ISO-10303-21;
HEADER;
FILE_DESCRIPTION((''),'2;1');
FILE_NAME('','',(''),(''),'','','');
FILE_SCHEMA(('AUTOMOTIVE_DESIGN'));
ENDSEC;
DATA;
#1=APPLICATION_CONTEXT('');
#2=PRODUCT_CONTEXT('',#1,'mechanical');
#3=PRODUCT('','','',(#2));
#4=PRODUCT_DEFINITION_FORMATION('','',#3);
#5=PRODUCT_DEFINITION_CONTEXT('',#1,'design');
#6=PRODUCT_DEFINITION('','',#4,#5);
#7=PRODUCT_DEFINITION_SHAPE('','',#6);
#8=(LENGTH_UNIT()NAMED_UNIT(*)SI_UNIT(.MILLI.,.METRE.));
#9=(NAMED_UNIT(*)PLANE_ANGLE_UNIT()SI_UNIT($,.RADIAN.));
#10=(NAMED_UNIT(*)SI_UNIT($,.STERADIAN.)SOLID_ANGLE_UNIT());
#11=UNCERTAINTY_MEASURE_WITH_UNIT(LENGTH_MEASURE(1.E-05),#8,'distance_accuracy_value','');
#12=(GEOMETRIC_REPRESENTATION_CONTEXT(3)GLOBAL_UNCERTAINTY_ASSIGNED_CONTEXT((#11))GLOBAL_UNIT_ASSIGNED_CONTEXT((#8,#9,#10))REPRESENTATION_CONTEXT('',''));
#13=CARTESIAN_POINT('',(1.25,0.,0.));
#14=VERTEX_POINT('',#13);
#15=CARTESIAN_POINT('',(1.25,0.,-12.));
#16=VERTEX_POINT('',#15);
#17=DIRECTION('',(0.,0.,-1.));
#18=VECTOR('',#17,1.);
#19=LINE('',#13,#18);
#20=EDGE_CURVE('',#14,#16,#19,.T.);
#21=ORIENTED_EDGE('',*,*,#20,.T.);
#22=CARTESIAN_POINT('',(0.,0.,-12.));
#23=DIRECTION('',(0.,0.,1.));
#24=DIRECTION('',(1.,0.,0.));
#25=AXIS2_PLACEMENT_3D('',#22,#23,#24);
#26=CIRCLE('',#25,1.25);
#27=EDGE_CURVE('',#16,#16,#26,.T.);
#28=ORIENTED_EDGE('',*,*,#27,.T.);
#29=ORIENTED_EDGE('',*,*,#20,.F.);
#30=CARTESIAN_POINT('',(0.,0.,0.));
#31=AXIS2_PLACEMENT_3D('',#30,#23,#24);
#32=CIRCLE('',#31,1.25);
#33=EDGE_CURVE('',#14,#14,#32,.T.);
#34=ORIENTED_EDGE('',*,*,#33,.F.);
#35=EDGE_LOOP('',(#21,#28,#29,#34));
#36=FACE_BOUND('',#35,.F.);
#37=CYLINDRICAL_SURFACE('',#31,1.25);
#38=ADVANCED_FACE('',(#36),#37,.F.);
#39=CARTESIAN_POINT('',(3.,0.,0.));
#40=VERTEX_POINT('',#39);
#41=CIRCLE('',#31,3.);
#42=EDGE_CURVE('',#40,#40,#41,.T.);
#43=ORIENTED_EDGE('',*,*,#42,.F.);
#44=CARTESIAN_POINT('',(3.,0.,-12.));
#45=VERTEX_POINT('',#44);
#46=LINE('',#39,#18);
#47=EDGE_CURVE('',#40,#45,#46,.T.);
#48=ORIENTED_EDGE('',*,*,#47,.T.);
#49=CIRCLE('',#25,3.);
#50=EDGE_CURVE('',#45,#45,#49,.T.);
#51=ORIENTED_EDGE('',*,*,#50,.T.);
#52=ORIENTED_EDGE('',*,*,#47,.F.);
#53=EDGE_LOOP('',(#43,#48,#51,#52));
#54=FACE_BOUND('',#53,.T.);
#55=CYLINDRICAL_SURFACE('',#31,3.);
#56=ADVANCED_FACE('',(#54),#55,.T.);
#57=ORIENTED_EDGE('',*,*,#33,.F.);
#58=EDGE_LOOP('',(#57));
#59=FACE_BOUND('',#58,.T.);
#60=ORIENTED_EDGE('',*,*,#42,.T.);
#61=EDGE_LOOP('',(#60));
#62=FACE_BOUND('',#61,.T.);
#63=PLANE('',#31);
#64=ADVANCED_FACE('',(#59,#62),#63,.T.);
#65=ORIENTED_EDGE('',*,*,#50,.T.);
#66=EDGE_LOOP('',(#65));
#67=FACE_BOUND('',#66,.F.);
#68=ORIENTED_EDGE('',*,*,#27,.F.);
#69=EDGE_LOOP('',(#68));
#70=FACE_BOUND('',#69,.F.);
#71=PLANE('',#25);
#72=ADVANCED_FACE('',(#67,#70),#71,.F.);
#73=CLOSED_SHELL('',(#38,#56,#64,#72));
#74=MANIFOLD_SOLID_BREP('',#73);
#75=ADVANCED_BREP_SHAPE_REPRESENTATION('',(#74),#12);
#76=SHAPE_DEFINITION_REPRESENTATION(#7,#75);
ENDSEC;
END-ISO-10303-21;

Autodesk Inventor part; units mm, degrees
ref_plane "YZ Plane" through (0, 0, 0) normal (1, 0, 0) x (0, 1, 0)
ref_plane "XZ Plane" through (0, 0, 0) normal (0, 1, 0) x (-1, 0, 0)
ref_plane "XY Plane" through (0, 0, 0) normal (0, 0, 1) x (1, 0, 0)
sketch "Sketch1" plane through (0, 0, 0) normal (0, 0, 1) x (1, 0, 0)
  circle A0 centre (0, 0) radius 1.25
  circle A1 centre (0, 0) radius 3
  dimension "d0" = 2.5
  dimension "d1" = 6
extrude "Extrusion1" add sketch "Sketch1" against normal blind 12
properties part number "l40" material "Aluminum 2014-T4"
